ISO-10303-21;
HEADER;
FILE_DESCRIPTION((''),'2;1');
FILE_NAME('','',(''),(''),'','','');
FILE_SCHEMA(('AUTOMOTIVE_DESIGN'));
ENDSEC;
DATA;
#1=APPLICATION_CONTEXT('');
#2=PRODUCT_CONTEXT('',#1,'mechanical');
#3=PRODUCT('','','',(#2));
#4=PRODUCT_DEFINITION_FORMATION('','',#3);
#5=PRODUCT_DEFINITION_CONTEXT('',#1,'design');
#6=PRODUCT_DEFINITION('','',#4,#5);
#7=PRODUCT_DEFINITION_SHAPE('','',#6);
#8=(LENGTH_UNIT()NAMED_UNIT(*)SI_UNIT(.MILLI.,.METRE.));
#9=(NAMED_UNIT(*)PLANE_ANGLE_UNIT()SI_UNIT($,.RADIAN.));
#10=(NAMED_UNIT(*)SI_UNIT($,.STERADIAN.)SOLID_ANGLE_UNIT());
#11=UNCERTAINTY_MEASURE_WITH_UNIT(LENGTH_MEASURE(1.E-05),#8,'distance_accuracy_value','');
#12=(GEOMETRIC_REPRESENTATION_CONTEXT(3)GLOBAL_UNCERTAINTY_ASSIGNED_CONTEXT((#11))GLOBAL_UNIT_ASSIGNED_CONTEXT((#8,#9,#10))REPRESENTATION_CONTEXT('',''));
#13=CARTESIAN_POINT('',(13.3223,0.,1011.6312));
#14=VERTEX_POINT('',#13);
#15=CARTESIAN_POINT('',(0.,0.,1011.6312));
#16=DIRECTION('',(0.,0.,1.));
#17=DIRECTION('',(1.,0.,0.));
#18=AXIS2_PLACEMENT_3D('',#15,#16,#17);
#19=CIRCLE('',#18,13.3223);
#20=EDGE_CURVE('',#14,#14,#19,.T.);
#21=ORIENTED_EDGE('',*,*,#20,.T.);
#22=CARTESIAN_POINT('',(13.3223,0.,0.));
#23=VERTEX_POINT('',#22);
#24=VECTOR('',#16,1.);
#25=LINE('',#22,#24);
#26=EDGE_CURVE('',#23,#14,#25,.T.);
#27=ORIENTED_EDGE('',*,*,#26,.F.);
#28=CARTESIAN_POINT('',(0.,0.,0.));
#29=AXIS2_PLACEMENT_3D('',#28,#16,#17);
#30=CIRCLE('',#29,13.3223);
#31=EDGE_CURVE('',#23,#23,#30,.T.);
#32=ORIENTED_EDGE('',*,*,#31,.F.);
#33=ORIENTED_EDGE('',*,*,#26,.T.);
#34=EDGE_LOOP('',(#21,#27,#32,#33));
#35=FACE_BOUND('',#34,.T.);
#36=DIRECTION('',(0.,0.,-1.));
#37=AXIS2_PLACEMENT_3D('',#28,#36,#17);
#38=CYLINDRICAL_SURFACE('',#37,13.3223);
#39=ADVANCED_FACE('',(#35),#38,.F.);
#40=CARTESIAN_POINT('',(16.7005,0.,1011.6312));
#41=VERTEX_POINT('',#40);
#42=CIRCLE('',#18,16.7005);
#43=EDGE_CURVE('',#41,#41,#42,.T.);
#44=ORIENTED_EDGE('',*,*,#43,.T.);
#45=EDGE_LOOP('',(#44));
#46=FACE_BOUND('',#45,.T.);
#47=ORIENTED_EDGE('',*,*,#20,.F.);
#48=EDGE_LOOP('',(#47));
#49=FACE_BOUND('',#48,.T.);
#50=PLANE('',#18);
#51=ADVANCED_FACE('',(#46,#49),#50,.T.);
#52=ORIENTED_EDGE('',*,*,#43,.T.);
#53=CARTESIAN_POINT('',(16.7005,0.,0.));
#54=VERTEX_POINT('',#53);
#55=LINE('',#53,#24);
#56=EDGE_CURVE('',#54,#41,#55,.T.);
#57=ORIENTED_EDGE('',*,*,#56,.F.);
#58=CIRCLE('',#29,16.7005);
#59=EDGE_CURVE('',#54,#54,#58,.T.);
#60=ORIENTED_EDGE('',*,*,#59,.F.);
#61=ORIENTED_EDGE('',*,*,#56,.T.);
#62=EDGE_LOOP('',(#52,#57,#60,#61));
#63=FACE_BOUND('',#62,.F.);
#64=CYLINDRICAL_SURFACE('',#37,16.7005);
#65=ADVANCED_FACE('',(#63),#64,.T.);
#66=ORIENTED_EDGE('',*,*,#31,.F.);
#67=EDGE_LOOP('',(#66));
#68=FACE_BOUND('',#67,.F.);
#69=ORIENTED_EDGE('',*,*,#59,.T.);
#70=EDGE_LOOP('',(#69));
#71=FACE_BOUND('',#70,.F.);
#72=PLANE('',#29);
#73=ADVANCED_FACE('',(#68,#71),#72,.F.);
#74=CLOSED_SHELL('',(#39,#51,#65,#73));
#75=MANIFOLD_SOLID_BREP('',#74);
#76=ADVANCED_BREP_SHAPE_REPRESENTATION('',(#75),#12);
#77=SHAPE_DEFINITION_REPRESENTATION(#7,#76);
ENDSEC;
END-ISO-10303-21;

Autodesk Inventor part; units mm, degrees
ref_plane "YZ Plane" through (0, 0, 0) normal (1, 0, 0) x (0, 1, 0)
ref_plane "Start plane" through (0, 0, 0) normal (0, 0, 1) x (1, 0, 0)
ref_plane "End plane" through (0, 0, 1011.6312) normal (0, 0, 1) x (1, 0, 0)
sketch "Sketch" plane through (0, 0, 0) normal (0, 0, 1) x (1, 0, 0)
  circle A0 centre (0, 0) radius 13.3223
  circle A1 centre (0, 0) radius 16.7005
  dimension "d0" = 33.401
  dimension "d1" = 3.3782
extrude "Body" add sketch "Sketch" along normal up to surface (1011.6312 mm away) from surface at 0
sketch "Sketch3" plane through (0, 0, 0) normal (0, 0, 1) x (1, 0, 0)
  line L0 (0, 0) -> (10, 0)
ref_plane "Work Plane3" through (0, 0, 0) normal (0, -1, 0) x (1, 0, 0)
sketch "Sketch4" plane through (0, 0, 0) normal (0, -1, 0) x (1, 0, 0)
  line L0 (-2, 0) -> (12, 0)
  line L1 (-2, 1011.6312) -> (12, 1011.6312)
  dimension "d7" = 1011.6312
equation "\"d0\" = G_H"
equation "\"d1\" = G_T"
equation "\"d2\" = G_L"
equation "\"G_H\" = 33.401"
equation "\"G_T\" = 3.3782"
equation "\"G_L\" = d7"
equation "\"G_OFFSET_START\" = 0"
equation "\"G_OFFSET_END\" = 0"
equation "\"d5\" = G_OFFSET_END + B_L"
equation "\"B_L\" = 1011.6312"
properties part number "ANSI - 1 x 0.133 - 39.828" material "Steel, Mild"
